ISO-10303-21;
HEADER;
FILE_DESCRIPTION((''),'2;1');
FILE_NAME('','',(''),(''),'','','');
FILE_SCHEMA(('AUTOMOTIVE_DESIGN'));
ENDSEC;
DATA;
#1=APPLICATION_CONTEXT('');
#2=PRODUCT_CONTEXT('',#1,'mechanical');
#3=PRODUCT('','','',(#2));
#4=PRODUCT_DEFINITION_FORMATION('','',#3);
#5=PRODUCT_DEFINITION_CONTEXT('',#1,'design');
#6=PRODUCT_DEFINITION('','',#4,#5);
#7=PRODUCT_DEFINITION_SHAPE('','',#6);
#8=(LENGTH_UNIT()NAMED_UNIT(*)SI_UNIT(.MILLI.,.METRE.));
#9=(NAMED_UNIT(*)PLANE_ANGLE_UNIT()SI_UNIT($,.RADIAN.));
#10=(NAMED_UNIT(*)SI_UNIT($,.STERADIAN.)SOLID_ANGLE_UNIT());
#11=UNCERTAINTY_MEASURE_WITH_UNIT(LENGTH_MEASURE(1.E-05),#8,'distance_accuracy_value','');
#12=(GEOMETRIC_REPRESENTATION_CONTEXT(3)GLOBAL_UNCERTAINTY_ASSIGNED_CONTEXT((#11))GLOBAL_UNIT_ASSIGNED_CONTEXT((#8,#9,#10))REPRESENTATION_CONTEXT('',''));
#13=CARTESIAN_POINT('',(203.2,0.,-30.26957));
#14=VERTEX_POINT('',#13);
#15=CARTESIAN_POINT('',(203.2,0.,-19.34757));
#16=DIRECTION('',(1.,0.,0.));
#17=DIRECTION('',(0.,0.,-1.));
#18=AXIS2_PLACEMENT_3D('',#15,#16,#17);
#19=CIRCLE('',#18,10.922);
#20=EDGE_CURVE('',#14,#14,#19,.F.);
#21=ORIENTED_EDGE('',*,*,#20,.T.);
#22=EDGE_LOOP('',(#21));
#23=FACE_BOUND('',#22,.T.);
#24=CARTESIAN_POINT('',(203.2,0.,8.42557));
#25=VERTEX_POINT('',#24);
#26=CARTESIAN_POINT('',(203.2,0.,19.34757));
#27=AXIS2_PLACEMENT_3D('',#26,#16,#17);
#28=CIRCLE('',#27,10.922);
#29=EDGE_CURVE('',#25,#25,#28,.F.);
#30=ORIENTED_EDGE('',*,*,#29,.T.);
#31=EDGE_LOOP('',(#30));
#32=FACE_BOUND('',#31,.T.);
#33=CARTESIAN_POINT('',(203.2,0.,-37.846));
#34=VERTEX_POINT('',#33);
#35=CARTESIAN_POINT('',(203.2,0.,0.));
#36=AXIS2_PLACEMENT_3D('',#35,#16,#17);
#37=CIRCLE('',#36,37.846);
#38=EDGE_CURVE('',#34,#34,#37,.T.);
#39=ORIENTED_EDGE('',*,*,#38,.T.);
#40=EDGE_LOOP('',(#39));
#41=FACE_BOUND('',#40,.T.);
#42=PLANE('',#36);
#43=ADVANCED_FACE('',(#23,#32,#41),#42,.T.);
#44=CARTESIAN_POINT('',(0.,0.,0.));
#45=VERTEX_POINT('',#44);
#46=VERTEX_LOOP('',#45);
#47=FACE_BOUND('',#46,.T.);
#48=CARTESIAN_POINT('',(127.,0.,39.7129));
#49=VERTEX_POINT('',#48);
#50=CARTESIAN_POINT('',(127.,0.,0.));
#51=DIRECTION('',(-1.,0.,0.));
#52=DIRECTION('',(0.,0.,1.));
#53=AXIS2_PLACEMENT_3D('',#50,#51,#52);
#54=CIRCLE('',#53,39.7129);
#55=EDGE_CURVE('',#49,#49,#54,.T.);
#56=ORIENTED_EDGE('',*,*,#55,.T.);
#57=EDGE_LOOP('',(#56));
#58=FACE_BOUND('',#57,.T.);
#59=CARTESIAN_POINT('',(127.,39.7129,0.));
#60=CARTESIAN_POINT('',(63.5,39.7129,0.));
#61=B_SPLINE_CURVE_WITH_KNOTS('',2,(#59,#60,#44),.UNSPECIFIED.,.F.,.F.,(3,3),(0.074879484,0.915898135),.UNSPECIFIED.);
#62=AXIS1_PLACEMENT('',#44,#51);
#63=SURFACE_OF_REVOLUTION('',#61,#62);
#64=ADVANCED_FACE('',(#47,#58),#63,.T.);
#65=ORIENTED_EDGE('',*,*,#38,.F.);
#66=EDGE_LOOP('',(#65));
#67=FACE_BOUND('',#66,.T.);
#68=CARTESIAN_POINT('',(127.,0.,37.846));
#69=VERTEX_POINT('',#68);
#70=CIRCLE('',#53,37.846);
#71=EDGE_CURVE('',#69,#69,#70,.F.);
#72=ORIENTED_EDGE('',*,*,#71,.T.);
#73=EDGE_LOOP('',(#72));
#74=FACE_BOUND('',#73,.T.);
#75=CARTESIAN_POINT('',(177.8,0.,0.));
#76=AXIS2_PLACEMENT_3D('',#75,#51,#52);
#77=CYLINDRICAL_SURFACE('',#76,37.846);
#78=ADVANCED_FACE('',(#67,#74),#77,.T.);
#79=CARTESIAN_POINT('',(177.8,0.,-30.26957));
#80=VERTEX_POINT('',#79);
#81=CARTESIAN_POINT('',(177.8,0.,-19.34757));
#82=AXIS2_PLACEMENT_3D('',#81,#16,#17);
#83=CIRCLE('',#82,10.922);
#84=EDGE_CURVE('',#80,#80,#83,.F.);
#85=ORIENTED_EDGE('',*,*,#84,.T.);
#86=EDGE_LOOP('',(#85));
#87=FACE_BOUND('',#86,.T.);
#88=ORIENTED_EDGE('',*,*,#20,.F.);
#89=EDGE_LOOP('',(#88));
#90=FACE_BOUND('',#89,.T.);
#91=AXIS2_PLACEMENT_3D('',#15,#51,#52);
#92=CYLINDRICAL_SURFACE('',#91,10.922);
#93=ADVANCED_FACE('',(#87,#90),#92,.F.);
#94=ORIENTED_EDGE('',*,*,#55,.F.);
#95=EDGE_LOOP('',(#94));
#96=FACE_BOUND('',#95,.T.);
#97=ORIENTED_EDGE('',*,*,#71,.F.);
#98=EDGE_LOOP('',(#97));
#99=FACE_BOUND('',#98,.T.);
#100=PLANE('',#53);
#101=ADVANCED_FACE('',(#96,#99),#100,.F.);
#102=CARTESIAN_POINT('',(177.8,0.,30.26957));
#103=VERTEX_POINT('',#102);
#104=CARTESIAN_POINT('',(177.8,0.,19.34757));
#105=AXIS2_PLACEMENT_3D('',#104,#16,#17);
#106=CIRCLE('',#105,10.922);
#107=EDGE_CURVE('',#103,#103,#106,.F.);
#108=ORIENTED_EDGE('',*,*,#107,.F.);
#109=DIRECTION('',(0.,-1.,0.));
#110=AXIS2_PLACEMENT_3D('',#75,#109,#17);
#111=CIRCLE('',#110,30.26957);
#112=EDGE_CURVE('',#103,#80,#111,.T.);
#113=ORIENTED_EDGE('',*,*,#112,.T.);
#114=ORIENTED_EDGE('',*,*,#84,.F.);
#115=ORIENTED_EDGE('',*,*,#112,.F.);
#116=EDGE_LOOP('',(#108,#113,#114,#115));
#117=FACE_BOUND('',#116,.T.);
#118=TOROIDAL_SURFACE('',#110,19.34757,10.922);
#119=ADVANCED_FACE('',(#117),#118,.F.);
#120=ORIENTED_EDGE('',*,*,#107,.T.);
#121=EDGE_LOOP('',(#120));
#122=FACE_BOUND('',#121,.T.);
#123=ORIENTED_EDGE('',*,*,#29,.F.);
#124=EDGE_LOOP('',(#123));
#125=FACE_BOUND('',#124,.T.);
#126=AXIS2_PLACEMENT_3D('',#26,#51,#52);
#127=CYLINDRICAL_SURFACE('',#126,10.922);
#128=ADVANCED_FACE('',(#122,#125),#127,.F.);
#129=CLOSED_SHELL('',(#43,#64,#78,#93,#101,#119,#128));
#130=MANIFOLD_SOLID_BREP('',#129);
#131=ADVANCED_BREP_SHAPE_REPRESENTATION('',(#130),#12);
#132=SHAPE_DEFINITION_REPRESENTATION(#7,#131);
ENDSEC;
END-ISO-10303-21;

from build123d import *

# Parameters (mm, degrees)
SKETCH2_R           = 37.846
BOSS_EXTRUDE1_DEPTH = 50.8
SKETCH3_R           = 10.922
SKETCH4_R           = 37.846
SKETCH4_R_2         = 10.922
BOSS_EXTRUDE2_DEPTH = 25.4


with BuildPart() as part:
    # Sketch1 → Revolve1 (revolve)
    with BuildSketch(Plane.XY):
        with BuildLine():
            Line((126.999999998, 0), (126.999999998, 39.712900001))
            add(Edge.make_bspline(
                [(-1e-09, 0), (63.499999999, 39.7129), (126.999999998, 39.712900001)],
                knots=[0.074879484, 0.074879484, 0.074879484, 0.915898135, 0.915898135, 0.915898135], degree=2))
            Line((-1e-09, 0), (126.999999998, 0))
        make_face()
    revolve(axis=Axis((-1e-09, 0, 0), (1, 0, 0)))

    # Sketch2 → Boss-Extrude1 (add)
    with BuildSketch(Plane(origin=(126.999999998, 0, 0), x_dir=(0, 0, -1), z_dir=(1, 0, 0))):
        Circle(SKETCH2_R)
    extrude(amount=BOSS_EXTRUDE1_DEPTH)

    # Sketch3 → Cut-Revolve1 (revolve, cut)
    with BuildSketch(Plane(origin=(177.799999998, 0, 0), x_dir=(0, 0, -1), z_dir=(1, 0, 0))):
        with Locations((-19.347570256, 0)):
            Circle(SKETCH3_R)
    revolve(axis=Axis((177.799999998, 0, 0), (0, 1, 0)), mode=Mode.SUBTRACT)

    # Sketch4 → Boss-Extrude2 (add)
    with BuildSketch(Plane(origin=(177.799999998, 0, 0), x_dir=(0, 0, -1), z_dir=(1, 0, 0))):
        Circle(SKETCH4_R)
        with Locations((-19.347570256, 0)):
            Circle(SKETCH4_R_2, mode=Mode.SUBTRACT)
        with Locations((19.347570256, 0)):
            Circle(SKETCH4_R_2, mode=Mode.SUBTRACT)
    extrude(amount=BOSS_EXTRUDE2_DEPTH)


solid = part.part
